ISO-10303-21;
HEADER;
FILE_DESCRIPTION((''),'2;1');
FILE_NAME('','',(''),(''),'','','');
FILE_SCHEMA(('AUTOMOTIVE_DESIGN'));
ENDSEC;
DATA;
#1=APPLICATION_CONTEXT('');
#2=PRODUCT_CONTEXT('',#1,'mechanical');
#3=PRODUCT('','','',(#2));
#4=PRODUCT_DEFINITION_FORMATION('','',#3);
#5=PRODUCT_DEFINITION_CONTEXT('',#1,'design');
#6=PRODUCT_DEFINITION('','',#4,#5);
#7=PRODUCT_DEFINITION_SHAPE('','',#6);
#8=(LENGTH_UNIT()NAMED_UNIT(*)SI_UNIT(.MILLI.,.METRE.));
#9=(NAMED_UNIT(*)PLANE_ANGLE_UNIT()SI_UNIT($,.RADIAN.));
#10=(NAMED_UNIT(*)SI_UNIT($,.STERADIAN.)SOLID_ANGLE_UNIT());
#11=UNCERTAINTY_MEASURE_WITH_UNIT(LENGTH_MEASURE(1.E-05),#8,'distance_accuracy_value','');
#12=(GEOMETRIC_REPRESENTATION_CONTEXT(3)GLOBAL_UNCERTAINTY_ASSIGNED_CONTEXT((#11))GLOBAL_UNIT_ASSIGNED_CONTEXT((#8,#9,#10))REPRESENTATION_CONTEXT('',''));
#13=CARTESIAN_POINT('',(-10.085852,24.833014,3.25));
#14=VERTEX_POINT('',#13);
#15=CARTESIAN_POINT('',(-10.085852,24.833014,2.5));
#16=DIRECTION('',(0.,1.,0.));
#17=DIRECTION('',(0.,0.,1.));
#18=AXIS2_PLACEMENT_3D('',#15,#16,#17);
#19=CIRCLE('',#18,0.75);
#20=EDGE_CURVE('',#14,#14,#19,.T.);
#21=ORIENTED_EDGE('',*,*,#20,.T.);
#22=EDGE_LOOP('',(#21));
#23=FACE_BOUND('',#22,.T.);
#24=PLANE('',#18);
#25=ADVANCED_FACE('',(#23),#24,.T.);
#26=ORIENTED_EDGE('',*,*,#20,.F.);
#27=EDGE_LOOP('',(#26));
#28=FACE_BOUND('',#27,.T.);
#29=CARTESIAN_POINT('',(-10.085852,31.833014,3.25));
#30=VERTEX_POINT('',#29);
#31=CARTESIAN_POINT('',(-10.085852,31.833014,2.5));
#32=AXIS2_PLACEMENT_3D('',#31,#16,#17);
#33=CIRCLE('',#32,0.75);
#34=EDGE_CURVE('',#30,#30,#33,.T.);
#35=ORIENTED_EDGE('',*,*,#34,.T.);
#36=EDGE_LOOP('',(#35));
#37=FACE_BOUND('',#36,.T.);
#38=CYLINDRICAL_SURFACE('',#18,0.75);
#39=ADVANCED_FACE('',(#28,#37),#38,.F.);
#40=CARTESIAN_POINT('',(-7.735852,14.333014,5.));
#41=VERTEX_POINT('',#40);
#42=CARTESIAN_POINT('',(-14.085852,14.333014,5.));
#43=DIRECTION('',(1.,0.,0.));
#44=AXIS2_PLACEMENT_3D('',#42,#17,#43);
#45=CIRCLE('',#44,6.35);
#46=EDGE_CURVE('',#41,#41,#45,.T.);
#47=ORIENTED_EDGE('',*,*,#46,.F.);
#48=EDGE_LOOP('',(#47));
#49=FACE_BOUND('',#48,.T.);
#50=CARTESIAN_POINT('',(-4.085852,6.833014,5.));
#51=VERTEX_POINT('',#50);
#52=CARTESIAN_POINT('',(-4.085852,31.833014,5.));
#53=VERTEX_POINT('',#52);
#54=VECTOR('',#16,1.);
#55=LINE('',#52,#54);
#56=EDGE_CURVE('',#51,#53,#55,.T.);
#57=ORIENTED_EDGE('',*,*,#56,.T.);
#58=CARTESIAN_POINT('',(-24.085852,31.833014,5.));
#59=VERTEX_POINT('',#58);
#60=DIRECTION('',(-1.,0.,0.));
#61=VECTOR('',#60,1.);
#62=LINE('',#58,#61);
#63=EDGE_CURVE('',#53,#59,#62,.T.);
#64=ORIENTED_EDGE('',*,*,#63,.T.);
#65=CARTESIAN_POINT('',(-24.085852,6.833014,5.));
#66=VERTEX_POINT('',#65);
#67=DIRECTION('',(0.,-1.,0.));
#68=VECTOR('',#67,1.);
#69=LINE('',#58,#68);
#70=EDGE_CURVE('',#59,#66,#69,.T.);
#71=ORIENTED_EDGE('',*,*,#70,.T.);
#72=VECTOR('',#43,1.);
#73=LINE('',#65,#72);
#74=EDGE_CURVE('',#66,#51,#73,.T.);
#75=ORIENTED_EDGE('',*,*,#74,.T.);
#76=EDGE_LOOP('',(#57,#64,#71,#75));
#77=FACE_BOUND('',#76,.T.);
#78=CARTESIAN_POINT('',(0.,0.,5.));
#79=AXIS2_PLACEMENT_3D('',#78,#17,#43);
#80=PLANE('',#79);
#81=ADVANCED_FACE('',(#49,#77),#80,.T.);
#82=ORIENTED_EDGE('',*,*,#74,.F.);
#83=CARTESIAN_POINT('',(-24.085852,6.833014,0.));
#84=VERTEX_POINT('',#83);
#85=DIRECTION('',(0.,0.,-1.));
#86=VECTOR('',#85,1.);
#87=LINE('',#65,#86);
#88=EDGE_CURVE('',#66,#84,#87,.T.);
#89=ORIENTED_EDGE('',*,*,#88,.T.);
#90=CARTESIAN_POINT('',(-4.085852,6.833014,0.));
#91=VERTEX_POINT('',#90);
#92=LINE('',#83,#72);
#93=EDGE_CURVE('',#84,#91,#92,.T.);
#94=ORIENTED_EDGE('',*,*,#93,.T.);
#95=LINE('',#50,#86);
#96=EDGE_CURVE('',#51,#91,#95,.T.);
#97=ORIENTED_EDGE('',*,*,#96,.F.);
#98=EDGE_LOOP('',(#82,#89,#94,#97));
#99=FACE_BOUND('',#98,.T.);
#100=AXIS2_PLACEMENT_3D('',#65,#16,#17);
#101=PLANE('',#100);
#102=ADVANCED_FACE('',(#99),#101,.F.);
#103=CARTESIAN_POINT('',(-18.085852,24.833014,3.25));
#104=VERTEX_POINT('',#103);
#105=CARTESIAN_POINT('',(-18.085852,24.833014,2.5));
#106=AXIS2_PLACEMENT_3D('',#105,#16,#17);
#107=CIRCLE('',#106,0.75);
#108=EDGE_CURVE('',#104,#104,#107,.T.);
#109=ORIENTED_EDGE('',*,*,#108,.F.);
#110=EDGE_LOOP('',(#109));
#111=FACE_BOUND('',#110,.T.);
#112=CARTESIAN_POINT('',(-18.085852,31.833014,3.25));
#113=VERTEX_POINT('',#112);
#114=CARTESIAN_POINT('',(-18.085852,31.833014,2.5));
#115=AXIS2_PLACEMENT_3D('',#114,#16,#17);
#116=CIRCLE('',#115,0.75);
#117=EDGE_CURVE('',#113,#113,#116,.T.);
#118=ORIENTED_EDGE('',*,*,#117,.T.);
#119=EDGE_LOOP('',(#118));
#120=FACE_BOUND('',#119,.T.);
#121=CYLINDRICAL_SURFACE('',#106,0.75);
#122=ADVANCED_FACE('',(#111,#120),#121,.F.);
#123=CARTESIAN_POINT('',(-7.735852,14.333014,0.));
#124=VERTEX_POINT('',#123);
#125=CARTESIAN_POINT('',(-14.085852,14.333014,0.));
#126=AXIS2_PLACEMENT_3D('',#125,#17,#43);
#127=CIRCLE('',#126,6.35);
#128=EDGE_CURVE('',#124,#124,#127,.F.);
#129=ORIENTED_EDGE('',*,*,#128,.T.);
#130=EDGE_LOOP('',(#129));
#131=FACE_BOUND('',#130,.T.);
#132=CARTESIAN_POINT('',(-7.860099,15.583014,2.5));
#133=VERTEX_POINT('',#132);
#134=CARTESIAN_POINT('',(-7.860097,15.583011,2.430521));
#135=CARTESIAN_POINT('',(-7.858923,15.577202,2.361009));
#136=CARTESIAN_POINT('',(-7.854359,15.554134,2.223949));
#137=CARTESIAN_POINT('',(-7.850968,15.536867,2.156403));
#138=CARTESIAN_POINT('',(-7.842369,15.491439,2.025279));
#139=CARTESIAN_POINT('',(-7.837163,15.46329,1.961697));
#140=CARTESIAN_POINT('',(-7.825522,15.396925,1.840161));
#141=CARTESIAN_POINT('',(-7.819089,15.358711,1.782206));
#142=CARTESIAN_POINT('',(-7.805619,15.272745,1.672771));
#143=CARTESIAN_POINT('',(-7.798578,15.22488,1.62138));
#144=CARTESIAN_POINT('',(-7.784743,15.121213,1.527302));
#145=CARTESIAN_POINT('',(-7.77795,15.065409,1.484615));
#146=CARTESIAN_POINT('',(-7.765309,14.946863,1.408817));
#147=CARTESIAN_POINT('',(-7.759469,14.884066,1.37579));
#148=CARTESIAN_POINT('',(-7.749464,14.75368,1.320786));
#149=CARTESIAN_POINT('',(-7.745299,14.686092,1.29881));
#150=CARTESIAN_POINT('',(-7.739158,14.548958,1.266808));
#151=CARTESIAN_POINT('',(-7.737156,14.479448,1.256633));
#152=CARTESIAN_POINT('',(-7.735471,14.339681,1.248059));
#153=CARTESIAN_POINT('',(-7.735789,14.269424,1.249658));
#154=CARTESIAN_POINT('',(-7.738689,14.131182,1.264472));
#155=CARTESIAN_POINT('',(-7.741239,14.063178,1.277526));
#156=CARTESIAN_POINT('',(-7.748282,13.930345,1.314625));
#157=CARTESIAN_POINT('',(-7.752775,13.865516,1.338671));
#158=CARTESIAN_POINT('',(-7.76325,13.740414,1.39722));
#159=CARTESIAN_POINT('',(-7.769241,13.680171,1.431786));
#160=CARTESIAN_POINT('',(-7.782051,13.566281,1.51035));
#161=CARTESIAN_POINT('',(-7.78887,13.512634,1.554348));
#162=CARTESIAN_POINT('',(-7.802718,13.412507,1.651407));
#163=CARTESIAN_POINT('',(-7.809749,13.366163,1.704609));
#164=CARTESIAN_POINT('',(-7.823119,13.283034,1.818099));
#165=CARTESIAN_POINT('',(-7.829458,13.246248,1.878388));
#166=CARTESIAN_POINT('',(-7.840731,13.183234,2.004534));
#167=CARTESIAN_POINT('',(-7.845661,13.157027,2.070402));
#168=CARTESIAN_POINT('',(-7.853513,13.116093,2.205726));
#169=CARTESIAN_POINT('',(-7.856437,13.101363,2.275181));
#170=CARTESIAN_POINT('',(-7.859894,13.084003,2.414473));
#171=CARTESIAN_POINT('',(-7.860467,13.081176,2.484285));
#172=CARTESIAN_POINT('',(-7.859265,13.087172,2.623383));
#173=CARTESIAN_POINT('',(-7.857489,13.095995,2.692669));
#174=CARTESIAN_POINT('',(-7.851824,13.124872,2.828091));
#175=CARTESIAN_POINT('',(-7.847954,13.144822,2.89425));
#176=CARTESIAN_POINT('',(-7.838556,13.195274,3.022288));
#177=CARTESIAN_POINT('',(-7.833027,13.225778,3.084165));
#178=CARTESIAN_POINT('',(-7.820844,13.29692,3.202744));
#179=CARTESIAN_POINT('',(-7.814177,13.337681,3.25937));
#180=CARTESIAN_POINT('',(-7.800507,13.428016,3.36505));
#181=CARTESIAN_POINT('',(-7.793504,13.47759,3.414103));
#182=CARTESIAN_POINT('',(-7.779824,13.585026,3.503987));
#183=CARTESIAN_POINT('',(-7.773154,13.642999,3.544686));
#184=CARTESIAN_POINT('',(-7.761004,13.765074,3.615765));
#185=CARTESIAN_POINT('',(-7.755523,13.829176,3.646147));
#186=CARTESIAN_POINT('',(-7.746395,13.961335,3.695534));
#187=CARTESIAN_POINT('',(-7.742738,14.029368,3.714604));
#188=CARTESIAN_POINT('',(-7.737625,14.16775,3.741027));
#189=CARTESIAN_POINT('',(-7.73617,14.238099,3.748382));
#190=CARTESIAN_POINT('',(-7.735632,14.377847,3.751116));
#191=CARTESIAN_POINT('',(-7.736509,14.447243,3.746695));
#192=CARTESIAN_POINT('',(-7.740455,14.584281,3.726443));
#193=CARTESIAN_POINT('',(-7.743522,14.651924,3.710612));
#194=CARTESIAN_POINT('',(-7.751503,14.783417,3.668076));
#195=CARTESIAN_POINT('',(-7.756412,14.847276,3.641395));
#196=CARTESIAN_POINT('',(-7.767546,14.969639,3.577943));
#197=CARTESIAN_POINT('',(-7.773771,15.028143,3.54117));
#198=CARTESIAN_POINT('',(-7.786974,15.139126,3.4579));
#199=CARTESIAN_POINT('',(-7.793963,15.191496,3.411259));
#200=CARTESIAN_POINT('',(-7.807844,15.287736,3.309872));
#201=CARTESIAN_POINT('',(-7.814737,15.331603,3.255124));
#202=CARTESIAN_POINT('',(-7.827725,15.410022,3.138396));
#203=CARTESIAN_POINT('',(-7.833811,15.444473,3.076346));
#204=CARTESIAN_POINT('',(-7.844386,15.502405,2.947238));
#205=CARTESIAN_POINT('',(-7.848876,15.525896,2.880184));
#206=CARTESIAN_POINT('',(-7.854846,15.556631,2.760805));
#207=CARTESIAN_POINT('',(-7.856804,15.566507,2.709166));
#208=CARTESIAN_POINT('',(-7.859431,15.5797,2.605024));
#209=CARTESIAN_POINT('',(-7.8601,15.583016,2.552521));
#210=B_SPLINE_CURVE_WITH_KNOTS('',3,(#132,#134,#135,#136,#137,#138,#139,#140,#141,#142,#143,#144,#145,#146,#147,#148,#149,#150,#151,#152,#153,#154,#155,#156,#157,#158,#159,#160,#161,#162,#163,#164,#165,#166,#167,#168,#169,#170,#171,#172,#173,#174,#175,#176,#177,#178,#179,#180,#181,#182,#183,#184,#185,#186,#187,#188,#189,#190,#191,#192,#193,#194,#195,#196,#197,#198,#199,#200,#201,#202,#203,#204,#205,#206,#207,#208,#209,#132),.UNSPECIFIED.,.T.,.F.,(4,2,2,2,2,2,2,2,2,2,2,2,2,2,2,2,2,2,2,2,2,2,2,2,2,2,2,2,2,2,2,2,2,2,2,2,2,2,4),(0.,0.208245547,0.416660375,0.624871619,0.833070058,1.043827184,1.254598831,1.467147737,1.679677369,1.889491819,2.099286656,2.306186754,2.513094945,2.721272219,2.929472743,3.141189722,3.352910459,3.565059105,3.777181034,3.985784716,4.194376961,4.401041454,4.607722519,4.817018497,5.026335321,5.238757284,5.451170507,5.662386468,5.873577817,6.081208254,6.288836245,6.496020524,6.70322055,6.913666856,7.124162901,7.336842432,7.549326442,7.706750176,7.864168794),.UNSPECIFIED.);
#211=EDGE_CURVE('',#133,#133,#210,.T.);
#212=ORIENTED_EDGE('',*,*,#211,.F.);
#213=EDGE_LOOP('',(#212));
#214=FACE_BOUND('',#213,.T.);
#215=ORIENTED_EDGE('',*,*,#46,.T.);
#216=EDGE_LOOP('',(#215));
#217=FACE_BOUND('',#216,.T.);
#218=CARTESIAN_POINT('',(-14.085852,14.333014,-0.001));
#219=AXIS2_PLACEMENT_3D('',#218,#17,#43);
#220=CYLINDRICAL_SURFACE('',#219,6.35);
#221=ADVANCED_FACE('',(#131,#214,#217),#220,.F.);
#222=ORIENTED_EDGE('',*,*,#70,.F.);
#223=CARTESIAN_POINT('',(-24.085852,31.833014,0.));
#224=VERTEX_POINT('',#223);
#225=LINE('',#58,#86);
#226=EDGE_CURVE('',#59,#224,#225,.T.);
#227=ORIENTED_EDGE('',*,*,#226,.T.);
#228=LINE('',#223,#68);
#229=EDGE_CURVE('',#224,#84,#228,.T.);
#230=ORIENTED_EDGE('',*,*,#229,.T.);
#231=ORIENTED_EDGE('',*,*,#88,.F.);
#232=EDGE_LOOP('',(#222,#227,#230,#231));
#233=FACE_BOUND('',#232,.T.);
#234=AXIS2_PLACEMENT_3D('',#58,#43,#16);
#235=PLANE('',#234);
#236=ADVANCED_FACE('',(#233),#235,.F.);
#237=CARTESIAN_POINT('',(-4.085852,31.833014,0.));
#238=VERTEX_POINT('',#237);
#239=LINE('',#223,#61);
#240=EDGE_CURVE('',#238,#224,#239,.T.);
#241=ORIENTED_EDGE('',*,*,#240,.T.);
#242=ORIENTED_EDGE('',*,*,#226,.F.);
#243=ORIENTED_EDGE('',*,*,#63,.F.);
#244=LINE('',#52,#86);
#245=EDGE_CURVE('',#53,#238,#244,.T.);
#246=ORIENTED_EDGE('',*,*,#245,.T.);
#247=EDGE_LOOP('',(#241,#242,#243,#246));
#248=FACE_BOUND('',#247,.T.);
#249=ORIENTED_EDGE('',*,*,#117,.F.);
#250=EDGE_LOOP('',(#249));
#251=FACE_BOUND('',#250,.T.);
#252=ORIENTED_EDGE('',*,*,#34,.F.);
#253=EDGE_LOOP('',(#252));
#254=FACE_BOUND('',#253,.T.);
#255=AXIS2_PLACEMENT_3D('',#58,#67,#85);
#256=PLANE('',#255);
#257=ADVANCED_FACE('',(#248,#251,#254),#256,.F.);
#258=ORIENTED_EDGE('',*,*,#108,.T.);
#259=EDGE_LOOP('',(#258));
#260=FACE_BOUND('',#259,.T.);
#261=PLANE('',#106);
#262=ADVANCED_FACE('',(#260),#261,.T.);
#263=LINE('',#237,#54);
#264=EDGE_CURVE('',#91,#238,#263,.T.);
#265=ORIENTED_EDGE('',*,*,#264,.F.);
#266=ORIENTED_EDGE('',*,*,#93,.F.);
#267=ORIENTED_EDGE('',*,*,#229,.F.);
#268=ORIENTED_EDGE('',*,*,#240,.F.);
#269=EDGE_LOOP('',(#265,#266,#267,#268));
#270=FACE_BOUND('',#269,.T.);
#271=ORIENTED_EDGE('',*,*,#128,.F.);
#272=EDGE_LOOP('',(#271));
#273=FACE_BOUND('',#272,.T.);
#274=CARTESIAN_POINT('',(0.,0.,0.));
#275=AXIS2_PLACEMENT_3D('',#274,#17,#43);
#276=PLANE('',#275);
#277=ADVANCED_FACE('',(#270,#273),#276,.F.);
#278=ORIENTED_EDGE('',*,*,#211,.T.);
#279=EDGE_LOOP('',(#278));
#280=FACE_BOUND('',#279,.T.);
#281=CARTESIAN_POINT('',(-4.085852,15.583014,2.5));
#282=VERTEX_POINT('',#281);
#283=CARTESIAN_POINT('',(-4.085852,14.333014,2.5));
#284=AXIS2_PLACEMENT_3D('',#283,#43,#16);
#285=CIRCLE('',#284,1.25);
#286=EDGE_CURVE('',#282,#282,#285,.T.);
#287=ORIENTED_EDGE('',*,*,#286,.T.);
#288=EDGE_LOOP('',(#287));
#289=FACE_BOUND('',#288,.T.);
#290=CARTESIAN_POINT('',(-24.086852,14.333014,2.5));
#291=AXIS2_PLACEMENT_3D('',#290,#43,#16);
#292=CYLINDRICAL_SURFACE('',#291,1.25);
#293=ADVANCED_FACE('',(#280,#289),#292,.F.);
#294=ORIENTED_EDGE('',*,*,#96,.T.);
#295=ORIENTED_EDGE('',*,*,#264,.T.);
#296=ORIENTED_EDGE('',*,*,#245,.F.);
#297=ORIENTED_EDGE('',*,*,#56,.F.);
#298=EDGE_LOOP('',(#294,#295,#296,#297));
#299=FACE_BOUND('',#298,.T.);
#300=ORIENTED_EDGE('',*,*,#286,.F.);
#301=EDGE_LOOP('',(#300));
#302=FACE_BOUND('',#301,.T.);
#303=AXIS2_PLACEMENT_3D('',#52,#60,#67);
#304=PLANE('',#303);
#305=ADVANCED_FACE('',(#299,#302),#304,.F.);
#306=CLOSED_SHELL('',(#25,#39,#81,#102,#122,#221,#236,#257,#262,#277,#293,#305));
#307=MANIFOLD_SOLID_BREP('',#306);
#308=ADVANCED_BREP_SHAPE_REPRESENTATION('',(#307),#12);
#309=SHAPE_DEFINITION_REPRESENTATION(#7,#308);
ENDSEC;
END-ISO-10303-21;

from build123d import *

# Parameters (mm, degrees)
SKETCH1_W           = 20
SKETCH1_H           = 25
BOSS_EXTRUDE1_DEPTH = 5
CUT_EXTRUDE1_REACH  = 7
SKETCH3_R           = 6.35
SKETCH5_R           = 0.75
CUT_EXTRUDE2_DEPTH  = 7
CUT_EXTRUDE3_REACH  = 22
SKETCH6_R           = 1.25


with BuildPart() as part:
    # Sketch1 → Boss-Extrude1 (new body)
    with BuildSketch(Plane.XY):
        with Locations((-14.085851727, 19.333014081)):
            Rectangle(SKETCH1_W, SKETCH1_H)
    extrude(amount=BOSS_EXTRUDE1_DEPTH)

    # Sketch3 → Cut-Extrude1 (cut, up to next)
    with BuildSketch(Plane.XY.offset(5), mode=Mode.PRIVATE) as cut_extrude1_sk1:
        with Locations((-14.085851727, 14.333014081)):
            Circle(SKETCH3_R)
    cut_extrude1_tool1 = extrude(cut_extrude1_sk1.sketch, amount=-CUT_EXTRUDE1_REACH, mode=Mode.PRIVATE) & part.part
    add(cut_extrude1_tool1.solids().sort_by_distance((-14.085852, 14.333014, 5))[0], mode=Mode.SUBTRACT)

    # Sketch5 → Cut-Extrude2 (cut)
    with BuildSketch(Plane(origin=(0, 31.833014081, 0), x_dir=(1, 0, 0), z_dir=(0, 1, 0))):
        with Locations((-10.085851727, -2.5)):
            Circle(SKETCH5_R)
        with Locations((-18.085851727, -2.5)):
            Circle(SKETCH5_R)
    extrude(amount=-CUT_EXTRUDE2_DEPTH, mode=Mode.SUBTRACT)

    # Sketch6 → Cut-Extrude3 (cut, up to next)
    with BuildSketch(Plane(origin=(-4.085851727, 0, 0), x_dir=(0, 0, -1), z_dir=(1, 0, 0)), mode=Mode.PRIVATE) as cut_extrude3_sk1:
        with Locations((-2.5, 14.333014081)):
            Circle(SKETCH6_R)
    cut_extrude3_tool1 = extrude(cut_extrude3_sk1.sketch, amount=-CUT_EXTRUDE3_REACH, mode=Mode.PRIVATE) & part.part
    add(cut_extrude3_tool1.solids().sort_by_distance((-4.085852, 14.333014, 2.5))[0], mode=Mode.SUBTRACT)


solid = part.part
